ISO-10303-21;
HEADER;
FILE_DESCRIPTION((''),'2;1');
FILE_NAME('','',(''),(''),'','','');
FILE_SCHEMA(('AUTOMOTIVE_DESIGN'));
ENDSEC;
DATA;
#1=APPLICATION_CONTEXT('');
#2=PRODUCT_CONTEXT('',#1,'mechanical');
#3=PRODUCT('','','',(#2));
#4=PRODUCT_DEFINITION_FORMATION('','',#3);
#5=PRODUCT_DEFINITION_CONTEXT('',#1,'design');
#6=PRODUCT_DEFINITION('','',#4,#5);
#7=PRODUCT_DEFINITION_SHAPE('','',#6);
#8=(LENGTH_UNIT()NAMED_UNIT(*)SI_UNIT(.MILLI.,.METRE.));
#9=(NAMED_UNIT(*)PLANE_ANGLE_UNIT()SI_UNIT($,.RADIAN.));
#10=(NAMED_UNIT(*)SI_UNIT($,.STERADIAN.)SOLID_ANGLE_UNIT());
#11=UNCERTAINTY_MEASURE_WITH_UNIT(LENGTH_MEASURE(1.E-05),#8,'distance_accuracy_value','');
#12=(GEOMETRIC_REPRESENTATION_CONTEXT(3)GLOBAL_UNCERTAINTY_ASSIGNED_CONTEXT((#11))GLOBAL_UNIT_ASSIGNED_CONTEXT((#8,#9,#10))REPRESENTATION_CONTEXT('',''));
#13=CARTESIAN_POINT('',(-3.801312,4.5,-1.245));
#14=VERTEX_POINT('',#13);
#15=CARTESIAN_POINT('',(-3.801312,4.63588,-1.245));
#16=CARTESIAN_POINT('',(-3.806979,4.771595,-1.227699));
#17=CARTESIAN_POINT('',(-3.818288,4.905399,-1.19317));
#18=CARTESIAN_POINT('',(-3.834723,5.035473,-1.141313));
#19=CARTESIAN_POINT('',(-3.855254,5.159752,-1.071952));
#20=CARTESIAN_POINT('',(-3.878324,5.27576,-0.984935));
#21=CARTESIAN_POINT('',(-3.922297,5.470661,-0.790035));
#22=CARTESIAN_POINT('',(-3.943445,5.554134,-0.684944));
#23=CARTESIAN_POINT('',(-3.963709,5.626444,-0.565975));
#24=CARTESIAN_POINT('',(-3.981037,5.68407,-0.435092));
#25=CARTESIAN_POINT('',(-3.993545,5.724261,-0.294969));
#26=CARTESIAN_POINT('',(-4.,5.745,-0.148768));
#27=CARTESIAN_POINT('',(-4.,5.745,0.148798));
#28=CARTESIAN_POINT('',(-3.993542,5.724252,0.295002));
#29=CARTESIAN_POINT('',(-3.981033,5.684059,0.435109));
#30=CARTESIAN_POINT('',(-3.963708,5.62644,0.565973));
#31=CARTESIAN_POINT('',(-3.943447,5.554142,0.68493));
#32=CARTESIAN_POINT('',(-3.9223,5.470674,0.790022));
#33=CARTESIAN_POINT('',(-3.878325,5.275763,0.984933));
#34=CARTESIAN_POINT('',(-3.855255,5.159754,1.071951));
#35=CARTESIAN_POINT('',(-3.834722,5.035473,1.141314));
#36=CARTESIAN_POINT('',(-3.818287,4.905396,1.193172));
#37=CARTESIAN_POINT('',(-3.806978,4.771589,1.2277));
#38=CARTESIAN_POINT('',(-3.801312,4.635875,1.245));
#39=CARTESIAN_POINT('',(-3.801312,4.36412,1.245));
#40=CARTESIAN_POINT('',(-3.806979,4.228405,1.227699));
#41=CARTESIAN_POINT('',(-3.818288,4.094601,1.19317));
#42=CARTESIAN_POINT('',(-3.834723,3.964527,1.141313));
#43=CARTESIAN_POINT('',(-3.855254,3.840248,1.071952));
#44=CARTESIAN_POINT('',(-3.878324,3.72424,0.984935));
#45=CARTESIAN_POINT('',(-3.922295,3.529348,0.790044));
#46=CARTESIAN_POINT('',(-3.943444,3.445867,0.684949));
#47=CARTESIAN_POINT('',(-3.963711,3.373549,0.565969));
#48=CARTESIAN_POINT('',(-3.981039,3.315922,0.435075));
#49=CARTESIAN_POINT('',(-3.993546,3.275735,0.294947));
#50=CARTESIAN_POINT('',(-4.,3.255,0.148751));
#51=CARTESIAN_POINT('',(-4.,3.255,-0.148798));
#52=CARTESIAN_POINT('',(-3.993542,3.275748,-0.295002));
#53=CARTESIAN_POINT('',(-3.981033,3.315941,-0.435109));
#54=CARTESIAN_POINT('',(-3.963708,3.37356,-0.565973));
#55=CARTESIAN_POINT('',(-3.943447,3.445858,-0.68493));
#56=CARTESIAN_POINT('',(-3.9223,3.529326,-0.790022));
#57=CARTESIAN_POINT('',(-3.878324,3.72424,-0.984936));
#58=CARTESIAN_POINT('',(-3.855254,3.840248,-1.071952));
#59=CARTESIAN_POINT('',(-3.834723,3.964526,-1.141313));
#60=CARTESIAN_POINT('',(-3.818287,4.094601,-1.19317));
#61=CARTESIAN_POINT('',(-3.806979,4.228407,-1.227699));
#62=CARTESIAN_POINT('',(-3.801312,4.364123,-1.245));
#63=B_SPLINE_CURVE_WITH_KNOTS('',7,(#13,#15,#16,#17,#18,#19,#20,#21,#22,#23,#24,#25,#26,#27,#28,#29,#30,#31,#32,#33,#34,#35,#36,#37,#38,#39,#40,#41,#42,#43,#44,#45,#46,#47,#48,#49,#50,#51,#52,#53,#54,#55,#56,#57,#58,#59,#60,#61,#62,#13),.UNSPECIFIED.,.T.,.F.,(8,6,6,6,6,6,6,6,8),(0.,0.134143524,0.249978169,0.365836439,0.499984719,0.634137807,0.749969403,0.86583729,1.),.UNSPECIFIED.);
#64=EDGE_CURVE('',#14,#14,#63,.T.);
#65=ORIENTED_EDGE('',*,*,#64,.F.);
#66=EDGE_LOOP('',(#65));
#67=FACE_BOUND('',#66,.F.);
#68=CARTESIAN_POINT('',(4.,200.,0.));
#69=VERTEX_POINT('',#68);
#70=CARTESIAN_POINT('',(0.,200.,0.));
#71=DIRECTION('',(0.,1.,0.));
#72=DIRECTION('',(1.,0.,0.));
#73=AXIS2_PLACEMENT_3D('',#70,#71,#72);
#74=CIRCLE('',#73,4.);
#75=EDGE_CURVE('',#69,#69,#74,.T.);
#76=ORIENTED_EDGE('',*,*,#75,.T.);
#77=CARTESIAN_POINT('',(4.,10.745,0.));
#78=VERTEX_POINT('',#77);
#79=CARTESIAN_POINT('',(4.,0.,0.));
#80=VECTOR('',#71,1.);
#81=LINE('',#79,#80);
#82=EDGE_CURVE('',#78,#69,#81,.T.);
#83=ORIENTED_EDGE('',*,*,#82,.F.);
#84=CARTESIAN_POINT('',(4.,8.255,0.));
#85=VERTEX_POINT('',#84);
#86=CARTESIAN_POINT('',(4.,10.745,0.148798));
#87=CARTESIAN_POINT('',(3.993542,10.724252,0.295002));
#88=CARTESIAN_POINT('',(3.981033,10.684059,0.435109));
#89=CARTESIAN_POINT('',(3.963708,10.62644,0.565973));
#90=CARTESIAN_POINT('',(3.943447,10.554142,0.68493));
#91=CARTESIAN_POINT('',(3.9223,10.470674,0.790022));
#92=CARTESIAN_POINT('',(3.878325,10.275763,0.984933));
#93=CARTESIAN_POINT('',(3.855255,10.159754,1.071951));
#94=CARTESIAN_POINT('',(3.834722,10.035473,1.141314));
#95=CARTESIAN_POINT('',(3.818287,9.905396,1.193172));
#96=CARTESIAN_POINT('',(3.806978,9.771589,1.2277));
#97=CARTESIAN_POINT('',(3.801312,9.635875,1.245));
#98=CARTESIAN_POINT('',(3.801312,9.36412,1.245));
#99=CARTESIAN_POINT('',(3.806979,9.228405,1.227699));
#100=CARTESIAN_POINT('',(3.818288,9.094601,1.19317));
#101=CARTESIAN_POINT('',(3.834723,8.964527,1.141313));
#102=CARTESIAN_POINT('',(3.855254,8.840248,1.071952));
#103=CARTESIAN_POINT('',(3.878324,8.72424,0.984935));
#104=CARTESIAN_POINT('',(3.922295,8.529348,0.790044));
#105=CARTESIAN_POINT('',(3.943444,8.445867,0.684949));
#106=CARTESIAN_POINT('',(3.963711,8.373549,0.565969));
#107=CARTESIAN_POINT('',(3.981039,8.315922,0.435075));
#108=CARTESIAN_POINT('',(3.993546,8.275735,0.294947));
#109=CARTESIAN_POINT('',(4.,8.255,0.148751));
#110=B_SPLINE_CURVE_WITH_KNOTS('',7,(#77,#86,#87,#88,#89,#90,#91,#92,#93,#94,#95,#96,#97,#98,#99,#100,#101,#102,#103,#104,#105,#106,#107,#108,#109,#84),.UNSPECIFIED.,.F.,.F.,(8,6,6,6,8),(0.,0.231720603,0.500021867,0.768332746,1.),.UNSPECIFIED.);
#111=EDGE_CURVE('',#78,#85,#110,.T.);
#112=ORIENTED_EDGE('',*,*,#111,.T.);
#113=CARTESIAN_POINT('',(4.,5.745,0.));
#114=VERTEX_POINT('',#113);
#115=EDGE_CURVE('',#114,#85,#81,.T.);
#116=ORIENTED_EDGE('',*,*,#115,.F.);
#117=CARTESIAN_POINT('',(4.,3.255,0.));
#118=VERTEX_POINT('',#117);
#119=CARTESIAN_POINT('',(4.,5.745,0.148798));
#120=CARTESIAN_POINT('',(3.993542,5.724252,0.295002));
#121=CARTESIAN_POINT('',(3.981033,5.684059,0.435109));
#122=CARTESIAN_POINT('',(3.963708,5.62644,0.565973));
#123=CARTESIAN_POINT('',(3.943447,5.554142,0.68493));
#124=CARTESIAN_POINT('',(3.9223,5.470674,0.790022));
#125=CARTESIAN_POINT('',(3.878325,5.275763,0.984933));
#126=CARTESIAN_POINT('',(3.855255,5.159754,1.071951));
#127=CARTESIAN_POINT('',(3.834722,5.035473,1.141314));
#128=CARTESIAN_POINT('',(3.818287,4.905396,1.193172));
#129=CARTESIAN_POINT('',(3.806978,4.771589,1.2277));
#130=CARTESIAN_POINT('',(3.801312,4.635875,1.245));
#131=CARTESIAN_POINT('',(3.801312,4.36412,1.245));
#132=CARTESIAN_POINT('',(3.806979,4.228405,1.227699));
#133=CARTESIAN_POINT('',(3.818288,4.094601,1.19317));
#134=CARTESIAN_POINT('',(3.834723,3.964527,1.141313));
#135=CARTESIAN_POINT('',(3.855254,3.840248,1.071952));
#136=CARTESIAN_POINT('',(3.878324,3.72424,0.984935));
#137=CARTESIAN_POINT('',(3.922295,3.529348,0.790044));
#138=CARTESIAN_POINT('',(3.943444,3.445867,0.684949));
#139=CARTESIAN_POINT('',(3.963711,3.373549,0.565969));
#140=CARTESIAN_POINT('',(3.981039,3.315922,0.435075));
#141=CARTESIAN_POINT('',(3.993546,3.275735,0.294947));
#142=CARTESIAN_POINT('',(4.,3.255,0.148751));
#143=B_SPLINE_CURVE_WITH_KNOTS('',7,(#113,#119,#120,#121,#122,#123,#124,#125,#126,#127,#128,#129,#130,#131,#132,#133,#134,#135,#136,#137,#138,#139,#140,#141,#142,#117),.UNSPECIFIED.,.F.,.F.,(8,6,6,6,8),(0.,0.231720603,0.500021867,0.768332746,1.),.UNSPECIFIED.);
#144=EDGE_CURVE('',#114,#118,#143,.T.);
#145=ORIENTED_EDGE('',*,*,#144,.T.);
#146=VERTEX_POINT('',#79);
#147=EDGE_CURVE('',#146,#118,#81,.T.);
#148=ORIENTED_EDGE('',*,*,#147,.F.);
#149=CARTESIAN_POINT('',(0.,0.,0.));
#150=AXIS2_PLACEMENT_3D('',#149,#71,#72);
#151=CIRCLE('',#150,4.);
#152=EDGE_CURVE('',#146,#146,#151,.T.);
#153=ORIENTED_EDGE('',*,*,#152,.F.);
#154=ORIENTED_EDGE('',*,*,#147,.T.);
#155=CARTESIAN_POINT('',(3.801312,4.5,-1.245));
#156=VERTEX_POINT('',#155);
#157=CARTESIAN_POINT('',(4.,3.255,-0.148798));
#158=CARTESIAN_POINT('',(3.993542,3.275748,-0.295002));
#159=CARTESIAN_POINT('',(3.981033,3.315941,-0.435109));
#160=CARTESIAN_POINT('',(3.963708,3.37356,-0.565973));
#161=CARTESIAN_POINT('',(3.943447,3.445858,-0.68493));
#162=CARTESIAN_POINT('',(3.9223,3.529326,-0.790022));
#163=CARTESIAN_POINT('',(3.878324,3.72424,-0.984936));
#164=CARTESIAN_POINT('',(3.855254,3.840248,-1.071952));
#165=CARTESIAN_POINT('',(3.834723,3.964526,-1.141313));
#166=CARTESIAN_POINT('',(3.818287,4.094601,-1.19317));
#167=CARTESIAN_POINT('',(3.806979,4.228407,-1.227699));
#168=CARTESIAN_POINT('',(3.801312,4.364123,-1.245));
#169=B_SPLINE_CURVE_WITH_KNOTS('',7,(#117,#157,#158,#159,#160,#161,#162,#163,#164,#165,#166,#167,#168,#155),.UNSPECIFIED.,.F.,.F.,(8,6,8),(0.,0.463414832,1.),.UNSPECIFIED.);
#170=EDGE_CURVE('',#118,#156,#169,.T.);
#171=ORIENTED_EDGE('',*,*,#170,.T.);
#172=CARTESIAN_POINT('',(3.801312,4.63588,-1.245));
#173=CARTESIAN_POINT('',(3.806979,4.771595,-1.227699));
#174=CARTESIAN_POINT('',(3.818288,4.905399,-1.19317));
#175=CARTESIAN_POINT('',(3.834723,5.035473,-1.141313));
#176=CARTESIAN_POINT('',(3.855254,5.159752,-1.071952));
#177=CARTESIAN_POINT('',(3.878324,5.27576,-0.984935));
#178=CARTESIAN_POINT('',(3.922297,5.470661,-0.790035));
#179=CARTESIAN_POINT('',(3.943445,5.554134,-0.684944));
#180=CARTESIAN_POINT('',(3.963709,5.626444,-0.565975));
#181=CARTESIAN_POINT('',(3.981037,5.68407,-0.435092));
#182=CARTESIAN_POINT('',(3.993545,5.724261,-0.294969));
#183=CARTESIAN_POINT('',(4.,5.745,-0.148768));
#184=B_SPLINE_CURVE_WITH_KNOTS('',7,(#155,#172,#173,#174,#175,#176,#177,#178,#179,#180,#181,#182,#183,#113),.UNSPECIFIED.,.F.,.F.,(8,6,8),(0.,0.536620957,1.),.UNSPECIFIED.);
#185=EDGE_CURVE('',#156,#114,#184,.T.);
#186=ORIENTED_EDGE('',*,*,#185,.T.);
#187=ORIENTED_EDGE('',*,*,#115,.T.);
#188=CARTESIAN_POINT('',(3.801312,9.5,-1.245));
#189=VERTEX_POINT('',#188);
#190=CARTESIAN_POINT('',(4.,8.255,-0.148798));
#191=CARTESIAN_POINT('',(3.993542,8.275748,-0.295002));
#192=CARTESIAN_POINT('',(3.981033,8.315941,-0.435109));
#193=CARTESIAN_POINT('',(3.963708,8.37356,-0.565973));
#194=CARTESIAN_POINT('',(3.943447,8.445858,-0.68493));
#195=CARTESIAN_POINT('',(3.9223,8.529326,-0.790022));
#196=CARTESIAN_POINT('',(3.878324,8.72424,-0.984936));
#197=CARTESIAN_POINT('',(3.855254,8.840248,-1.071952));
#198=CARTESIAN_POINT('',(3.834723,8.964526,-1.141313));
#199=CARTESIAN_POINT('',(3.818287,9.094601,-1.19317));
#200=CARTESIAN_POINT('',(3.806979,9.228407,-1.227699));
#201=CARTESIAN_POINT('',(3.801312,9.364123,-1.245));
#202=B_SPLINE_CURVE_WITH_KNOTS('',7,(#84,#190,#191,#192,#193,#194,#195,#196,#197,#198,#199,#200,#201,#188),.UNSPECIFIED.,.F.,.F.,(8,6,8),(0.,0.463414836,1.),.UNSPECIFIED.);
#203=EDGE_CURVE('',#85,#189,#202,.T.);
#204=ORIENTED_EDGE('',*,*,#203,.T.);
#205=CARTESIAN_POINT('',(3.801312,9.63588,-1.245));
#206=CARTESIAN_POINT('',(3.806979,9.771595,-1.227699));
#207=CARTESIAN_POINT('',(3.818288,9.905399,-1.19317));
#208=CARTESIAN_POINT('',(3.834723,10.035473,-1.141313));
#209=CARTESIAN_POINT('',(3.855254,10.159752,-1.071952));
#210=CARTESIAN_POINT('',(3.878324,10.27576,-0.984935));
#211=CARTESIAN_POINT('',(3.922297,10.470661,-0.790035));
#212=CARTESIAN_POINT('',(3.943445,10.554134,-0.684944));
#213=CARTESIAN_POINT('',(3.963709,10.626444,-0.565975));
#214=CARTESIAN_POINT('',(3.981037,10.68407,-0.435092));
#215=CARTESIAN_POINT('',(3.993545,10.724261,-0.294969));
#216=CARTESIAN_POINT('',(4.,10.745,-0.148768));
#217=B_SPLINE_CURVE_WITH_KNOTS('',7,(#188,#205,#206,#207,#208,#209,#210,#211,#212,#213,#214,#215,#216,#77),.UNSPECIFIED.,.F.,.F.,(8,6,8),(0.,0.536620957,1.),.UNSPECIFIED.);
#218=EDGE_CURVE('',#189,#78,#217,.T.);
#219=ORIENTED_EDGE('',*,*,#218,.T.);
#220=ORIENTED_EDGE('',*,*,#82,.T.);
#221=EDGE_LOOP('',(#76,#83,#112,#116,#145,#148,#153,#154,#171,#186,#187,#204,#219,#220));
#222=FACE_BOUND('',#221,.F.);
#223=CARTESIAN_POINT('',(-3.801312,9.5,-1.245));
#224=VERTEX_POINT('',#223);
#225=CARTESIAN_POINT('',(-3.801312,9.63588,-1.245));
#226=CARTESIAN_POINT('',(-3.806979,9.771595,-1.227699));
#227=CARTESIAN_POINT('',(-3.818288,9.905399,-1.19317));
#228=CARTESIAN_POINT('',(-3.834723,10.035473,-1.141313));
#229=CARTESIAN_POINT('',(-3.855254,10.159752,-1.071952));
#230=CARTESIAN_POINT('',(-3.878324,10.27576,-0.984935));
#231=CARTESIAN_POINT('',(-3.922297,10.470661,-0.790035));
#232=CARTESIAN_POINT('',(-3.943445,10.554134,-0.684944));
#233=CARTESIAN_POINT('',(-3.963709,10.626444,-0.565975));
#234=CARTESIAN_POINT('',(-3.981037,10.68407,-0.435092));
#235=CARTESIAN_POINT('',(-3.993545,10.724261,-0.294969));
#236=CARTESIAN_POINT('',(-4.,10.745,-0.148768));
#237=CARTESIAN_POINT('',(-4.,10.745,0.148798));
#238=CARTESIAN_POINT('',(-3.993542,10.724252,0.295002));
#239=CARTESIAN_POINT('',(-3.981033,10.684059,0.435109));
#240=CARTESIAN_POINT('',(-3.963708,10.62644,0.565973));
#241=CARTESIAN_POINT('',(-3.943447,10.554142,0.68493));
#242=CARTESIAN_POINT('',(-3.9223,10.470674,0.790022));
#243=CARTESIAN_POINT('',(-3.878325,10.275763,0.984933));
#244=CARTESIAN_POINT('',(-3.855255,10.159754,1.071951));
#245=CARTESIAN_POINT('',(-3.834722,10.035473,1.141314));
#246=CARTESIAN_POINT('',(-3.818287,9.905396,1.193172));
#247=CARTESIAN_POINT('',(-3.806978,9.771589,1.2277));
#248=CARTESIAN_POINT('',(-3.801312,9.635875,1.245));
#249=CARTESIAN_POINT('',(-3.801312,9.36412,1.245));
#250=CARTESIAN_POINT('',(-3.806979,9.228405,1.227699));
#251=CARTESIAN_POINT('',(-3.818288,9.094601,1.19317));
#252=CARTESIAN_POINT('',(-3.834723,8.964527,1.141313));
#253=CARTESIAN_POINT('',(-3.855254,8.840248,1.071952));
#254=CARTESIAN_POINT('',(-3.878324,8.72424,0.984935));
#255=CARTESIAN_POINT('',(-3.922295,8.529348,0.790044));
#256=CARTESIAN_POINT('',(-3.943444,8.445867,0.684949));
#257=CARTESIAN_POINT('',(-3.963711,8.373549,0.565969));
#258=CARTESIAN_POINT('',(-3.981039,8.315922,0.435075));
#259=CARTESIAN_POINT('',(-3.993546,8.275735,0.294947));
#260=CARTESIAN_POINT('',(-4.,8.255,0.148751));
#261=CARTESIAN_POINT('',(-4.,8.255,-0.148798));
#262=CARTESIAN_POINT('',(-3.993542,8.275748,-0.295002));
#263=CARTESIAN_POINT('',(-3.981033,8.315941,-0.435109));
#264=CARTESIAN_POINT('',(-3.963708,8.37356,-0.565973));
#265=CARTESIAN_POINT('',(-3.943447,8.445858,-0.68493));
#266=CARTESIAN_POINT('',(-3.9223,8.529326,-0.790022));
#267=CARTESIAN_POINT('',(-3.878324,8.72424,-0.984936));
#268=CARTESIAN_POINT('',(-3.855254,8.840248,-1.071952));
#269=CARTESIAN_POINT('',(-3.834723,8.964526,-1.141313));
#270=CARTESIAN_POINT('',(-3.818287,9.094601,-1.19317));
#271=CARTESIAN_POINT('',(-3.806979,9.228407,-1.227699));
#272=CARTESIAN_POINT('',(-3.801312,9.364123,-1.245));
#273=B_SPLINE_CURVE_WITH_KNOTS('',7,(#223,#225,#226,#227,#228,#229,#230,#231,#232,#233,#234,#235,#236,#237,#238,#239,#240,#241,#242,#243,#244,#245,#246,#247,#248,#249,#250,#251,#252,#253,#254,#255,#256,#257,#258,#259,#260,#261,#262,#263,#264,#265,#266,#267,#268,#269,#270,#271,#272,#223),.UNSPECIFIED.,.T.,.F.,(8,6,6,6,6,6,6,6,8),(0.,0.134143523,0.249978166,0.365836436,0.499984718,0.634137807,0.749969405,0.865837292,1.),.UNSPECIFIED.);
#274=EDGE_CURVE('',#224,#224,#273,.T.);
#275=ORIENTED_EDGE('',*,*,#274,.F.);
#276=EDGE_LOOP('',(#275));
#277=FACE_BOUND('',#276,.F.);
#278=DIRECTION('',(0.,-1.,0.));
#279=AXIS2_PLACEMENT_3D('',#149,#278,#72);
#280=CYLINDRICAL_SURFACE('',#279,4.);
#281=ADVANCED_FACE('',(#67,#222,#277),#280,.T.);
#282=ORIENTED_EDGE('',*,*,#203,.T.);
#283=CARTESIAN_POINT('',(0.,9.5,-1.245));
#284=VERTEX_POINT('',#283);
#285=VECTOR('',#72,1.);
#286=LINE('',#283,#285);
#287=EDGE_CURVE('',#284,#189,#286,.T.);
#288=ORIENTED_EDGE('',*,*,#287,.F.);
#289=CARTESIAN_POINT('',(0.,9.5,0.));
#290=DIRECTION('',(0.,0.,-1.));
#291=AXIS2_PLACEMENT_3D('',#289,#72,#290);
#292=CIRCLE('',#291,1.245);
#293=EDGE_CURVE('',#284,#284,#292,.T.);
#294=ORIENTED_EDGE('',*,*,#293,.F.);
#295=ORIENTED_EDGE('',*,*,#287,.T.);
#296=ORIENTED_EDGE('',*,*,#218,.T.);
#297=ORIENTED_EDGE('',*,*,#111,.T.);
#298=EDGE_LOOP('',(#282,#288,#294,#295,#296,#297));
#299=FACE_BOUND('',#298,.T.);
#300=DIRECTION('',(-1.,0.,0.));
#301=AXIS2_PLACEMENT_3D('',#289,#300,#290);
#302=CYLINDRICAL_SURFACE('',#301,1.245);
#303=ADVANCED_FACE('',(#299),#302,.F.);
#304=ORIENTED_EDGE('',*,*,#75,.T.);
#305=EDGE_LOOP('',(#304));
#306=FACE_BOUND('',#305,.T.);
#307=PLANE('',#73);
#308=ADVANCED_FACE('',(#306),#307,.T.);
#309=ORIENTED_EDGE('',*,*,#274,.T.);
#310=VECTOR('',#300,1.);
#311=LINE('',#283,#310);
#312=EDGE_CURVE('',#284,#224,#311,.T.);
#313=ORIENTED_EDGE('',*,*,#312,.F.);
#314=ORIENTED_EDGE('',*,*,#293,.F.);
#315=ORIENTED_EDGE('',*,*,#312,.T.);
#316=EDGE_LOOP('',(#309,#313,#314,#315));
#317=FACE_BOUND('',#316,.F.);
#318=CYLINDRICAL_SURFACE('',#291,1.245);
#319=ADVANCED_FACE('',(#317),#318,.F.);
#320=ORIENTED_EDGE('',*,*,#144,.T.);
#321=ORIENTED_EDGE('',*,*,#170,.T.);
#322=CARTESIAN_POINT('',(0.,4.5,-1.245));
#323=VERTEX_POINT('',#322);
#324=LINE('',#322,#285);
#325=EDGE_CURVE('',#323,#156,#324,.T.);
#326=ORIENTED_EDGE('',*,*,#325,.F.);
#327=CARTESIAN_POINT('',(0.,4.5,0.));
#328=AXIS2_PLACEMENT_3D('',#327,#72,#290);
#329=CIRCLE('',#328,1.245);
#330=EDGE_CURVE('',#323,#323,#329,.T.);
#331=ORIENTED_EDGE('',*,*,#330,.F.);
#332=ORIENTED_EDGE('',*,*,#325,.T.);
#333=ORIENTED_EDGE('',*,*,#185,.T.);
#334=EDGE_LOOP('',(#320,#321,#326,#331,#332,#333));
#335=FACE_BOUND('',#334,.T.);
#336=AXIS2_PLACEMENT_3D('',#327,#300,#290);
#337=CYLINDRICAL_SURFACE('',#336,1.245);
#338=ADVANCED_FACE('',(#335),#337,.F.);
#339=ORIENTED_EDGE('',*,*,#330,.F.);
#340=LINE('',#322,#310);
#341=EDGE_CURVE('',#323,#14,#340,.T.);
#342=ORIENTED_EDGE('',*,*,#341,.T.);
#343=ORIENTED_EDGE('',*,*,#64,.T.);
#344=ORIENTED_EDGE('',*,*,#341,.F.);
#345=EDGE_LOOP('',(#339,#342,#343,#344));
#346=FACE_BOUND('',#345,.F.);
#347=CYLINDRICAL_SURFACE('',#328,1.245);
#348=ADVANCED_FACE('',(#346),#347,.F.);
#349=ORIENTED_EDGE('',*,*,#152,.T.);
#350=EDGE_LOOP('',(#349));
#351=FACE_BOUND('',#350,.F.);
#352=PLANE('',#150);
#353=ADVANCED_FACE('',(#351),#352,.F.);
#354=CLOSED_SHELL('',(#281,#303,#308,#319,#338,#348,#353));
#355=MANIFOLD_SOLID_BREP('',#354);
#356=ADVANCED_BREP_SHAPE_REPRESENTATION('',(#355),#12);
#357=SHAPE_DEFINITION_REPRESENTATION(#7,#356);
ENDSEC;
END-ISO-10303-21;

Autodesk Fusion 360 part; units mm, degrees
sketch "Sketch1" plane through (0, 0, 0) normal (0, 1, 0) x (1, 0, 0)
  circle A0 centre (0, 0) radius 4
  dimension "d1" = 8
extrude "Extrude1" add sketch "Sketch1" along normal blind 200
sketch "Sketch2" plane through (0, 0, 0) normal (1, 0, 0) x (0, 0, -1)
  circle A0 centre (0, 4.5) radius 1.245
  circle A1 centre (0, 9.5) radius 1.245
  line L0 (4, 0) -> (-4, 0)
  line L1 (0, 0) -> (0, 13) construction
  dimension "d4" = 2.49
  dimension "d5" = 5
  dimension "d6" = 4.5
extrude "Extrude2" cut sketch "Sketch2" along normal through all and the other way through all
